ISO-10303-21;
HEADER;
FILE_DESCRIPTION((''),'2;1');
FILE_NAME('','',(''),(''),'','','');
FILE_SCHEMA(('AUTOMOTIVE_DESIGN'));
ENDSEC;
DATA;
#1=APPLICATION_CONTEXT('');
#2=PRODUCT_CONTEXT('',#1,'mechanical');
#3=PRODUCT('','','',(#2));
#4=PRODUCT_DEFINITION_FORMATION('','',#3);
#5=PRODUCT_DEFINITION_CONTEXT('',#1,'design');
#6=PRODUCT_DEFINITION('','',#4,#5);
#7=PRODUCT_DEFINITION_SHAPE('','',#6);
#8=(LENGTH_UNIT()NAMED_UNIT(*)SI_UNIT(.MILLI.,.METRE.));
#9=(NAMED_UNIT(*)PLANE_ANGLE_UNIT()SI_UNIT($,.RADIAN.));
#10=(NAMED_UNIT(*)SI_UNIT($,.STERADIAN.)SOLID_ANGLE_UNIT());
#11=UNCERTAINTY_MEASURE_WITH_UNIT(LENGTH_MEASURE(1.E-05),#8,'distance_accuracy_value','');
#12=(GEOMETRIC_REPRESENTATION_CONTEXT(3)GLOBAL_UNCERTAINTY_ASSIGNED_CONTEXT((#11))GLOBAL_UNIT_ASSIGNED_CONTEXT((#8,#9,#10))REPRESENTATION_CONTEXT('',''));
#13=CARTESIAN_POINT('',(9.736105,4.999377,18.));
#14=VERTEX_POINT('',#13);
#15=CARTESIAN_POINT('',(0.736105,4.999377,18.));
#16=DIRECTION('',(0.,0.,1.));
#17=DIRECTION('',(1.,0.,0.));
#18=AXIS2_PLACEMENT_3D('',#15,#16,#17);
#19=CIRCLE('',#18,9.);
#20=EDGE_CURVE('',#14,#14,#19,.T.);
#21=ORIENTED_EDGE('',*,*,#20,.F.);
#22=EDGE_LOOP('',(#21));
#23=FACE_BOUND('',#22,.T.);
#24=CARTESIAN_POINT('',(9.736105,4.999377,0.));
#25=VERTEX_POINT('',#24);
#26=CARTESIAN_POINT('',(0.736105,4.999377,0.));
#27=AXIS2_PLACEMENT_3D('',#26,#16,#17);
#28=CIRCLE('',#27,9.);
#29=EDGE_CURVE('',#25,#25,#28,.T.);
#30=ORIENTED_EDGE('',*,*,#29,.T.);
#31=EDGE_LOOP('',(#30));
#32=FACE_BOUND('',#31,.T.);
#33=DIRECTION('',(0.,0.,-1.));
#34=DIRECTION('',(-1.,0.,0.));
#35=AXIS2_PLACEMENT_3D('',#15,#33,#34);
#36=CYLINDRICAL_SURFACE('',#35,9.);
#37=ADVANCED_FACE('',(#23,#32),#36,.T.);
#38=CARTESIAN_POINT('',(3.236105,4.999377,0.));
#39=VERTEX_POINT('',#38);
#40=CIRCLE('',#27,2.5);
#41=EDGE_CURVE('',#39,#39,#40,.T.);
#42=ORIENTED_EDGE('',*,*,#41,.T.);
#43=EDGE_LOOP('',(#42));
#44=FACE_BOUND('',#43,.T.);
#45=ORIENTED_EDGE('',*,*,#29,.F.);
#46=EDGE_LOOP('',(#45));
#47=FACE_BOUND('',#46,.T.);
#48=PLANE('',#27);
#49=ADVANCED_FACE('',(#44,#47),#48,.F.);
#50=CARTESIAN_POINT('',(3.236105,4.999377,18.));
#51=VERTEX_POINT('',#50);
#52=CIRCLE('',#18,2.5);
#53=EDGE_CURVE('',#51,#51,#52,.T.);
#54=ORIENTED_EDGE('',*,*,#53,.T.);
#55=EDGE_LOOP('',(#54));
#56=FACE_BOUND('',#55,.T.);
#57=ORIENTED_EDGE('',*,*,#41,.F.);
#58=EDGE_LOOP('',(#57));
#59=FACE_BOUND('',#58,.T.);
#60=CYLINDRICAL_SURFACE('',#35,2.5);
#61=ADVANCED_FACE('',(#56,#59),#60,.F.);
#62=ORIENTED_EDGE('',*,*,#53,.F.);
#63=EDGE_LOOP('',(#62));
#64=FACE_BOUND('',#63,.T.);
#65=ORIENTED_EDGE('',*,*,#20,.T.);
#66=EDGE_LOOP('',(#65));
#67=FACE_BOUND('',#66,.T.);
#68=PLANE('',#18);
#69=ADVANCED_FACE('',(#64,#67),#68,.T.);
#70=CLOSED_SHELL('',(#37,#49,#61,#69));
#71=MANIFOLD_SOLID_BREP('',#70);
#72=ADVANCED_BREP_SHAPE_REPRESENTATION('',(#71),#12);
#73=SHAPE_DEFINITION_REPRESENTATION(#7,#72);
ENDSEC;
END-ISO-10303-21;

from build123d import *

# Parameters (mm, degrees)
SKETCH_1_R      = 9
SKETCH_1_R_2    = 2.5
EXTRUDE_1_DEPTH = 18


with BuildPart() as part:
    # 草图1 → 凸台-拉伸1 (new body)
    with BuildSketch(Plane.XY):
        with Locations((0.736104657, 4.999377465)):
            Circle(SKETCH_1_R)
        with Locations((0.736104657, 4.999377465)):
            Circle(SKETCH_1_R_2, mode=Mode.SUBTRACT)
    extrude(amount=EXTRUDE_1_DEPTH)


solid = part.part
